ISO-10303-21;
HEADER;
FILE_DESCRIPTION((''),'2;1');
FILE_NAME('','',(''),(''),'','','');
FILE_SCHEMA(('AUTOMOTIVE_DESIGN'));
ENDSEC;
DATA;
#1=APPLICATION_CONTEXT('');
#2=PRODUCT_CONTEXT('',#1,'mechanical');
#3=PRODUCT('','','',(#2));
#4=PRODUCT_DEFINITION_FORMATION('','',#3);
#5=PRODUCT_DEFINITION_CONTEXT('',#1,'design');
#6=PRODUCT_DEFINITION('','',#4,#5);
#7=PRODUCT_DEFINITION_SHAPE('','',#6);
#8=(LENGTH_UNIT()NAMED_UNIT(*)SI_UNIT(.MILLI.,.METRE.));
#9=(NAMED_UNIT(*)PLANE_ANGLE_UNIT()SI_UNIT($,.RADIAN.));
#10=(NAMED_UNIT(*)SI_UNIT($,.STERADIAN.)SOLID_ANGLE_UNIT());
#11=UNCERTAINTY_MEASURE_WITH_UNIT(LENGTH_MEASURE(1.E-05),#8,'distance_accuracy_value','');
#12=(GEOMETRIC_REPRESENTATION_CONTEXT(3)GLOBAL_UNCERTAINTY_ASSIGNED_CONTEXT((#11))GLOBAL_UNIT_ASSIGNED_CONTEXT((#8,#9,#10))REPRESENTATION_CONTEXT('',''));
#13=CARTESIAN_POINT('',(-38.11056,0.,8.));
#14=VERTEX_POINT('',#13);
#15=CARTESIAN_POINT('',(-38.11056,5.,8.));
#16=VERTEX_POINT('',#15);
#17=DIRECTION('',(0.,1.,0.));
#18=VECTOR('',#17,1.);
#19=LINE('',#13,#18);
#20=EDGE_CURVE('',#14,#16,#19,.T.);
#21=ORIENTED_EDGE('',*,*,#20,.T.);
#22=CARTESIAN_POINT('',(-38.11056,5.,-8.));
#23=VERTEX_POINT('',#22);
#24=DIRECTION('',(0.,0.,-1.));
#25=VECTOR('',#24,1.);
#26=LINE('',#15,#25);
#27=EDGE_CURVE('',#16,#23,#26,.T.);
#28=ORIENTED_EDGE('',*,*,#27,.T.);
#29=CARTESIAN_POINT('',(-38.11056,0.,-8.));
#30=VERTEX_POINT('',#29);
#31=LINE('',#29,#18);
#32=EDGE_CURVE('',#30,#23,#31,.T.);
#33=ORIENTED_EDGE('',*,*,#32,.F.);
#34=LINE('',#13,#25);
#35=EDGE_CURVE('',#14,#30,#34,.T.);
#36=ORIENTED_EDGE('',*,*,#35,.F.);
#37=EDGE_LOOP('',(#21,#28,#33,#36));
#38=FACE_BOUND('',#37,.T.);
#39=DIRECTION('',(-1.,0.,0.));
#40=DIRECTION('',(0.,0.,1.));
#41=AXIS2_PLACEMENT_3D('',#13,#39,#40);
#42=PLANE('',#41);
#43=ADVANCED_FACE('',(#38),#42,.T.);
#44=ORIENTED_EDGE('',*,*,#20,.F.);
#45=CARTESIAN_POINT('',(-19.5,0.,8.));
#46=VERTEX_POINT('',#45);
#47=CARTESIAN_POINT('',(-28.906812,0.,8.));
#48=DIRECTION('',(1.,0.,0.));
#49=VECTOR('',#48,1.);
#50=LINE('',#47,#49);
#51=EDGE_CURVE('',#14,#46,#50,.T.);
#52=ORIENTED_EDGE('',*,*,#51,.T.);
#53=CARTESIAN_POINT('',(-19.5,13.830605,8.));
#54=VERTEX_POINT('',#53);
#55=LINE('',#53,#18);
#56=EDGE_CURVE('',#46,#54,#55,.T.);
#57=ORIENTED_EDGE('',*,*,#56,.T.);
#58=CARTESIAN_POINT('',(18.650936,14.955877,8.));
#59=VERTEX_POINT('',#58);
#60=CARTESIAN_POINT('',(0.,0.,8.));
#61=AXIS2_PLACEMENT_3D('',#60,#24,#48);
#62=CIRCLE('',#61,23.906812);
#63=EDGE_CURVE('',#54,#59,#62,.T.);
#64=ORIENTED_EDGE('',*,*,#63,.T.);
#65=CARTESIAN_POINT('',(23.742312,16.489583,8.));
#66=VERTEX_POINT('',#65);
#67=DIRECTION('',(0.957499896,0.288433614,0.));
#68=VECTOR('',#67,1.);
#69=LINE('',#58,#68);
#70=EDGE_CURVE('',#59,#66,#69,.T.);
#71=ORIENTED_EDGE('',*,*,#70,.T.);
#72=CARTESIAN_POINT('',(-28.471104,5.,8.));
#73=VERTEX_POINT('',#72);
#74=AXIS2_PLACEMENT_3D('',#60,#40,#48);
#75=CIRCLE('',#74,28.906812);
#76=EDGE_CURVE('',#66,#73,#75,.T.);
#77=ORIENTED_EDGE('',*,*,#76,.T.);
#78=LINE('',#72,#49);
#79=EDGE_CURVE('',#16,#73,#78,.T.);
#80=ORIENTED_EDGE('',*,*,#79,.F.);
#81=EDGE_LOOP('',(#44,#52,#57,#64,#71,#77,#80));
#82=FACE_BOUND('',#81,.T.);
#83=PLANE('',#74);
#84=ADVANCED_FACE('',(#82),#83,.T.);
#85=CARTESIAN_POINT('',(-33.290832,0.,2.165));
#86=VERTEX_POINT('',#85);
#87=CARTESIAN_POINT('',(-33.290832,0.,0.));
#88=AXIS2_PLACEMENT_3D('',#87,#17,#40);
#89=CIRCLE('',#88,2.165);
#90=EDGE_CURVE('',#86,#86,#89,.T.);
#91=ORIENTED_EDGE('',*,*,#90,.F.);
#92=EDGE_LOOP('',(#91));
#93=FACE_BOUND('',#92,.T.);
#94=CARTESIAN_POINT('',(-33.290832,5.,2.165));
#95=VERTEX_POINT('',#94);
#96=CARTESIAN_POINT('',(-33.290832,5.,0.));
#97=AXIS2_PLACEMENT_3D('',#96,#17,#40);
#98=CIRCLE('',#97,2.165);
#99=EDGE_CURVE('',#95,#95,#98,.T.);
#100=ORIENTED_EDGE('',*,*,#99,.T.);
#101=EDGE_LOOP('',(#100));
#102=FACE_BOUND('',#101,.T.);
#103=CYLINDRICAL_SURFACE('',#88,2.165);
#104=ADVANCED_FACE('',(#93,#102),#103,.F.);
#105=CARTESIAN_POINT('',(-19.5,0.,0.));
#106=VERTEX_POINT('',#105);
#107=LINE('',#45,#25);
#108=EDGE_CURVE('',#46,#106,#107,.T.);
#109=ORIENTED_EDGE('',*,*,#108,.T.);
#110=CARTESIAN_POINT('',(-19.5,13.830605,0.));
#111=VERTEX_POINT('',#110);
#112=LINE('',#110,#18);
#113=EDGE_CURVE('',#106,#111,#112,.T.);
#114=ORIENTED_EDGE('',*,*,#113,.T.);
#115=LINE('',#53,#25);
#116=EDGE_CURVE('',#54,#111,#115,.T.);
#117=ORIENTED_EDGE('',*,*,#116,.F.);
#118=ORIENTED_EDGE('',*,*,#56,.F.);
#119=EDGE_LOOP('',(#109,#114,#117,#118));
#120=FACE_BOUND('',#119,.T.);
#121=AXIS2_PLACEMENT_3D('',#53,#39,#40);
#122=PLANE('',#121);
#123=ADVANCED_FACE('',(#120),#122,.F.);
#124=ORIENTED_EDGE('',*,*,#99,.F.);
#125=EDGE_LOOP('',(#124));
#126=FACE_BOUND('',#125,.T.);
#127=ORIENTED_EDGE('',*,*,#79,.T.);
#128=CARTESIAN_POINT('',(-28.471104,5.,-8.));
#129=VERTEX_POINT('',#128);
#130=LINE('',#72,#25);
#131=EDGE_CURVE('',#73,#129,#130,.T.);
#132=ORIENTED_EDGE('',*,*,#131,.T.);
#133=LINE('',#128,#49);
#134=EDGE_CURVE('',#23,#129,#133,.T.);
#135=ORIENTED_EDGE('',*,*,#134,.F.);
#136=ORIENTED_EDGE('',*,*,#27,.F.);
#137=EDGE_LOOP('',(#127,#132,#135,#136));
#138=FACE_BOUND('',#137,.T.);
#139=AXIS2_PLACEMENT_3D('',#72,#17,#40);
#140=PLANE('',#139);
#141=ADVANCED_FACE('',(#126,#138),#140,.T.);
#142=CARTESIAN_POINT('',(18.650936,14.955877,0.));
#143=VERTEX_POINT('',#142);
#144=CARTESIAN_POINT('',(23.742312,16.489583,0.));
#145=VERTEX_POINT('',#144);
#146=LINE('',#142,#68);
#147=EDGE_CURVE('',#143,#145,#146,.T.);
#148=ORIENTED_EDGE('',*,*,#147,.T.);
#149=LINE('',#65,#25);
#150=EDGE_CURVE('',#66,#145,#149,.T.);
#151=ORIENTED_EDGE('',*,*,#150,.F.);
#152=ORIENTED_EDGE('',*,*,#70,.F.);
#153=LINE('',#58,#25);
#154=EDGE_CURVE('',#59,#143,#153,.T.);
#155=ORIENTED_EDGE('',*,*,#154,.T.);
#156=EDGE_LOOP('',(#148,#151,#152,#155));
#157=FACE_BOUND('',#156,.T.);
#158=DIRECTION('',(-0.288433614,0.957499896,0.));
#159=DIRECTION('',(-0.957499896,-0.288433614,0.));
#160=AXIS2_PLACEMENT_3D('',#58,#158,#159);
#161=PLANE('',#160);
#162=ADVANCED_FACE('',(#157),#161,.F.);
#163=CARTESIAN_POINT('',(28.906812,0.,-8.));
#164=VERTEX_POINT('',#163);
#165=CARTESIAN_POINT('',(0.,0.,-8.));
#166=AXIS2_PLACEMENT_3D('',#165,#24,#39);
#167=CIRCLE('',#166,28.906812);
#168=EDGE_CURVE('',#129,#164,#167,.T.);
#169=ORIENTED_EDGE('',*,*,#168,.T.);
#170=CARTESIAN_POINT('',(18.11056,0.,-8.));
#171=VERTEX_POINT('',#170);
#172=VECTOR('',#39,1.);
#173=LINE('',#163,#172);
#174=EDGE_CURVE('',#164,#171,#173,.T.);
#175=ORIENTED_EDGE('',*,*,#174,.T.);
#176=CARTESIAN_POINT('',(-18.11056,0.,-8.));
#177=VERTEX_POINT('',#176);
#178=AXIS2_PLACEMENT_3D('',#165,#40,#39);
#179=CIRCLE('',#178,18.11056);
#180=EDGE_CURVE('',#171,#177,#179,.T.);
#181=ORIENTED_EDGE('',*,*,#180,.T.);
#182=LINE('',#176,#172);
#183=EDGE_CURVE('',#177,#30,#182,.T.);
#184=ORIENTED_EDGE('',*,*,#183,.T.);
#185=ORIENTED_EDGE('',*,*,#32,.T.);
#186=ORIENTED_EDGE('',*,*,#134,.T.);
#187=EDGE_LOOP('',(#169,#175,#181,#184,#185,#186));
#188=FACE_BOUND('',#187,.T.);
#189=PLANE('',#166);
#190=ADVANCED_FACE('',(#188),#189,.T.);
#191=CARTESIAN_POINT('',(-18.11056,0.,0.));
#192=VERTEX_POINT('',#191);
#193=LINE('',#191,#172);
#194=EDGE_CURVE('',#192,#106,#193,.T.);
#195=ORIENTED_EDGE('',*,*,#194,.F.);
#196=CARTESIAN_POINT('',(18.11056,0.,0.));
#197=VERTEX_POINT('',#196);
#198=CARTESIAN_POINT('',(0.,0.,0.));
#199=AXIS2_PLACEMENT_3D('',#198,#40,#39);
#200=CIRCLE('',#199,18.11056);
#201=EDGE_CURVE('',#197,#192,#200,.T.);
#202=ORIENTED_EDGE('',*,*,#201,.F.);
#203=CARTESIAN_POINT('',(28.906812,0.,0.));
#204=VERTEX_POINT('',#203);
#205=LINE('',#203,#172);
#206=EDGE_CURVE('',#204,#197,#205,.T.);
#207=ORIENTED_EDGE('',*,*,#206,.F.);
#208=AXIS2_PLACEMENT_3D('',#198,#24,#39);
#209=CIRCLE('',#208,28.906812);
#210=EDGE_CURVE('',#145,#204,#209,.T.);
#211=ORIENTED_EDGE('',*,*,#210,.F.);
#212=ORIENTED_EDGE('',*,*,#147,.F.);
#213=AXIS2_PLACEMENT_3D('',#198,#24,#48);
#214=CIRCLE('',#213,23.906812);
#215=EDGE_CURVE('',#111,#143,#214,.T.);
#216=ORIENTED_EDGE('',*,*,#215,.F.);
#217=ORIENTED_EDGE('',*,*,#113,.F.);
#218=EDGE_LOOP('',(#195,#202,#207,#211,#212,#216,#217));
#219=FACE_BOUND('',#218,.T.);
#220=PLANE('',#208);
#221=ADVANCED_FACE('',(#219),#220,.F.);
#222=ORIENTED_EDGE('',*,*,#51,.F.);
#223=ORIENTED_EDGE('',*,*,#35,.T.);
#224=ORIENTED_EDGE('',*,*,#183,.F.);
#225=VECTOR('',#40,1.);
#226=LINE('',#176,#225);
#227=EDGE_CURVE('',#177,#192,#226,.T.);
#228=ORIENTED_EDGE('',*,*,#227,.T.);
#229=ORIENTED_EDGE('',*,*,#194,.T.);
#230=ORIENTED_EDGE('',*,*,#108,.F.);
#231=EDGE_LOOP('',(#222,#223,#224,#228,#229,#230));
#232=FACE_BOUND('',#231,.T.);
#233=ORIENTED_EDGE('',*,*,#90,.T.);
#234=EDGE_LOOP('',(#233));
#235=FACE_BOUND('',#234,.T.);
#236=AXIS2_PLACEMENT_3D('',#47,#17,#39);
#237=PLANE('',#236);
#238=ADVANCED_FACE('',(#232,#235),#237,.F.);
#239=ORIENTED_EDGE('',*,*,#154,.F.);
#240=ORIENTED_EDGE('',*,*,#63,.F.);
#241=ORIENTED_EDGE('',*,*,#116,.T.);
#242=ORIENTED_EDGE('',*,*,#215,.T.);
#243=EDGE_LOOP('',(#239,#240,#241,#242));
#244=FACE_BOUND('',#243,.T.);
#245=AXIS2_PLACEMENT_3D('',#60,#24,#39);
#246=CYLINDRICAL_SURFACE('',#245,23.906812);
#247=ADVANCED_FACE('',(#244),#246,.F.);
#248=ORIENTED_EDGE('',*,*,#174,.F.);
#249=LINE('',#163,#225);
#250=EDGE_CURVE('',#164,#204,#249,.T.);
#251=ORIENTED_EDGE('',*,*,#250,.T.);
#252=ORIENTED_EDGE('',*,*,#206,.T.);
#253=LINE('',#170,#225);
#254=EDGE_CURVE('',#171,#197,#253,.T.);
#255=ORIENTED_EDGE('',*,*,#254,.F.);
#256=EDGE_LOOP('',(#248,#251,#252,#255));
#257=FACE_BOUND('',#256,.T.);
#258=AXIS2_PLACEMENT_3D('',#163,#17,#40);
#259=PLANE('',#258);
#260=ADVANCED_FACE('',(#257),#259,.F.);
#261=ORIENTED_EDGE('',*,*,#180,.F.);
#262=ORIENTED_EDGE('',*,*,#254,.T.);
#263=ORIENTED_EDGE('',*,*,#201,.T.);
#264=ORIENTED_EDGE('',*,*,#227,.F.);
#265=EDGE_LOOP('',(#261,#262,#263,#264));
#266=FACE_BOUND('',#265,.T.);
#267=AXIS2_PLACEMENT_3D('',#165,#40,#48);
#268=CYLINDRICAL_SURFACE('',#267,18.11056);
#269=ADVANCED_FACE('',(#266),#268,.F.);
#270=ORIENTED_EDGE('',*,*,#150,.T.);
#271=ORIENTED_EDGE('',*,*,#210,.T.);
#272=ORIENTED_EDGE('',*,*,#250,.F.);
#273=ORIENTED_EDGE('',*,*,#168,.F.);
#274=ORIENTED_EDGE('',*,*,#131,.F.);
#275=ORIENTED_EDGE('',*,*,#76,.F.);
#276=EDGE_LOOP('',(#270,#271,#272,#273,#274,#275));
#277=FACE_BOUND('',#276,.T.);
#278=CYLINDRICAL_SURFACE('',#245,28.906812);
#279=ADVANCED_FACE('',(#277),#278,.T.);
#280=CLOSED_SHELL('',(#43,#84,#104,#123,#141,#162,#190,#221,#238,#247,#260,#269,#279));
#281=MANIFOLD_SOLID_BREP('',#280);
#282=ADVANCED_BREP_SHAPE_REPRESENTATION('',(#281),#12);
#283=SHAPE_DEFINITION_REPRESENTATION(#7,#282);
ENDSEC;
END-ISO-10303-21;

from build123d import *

# Parameters (mm, degrees)
BOSS_EXTRUDE1_DEPTH = 8
CUT_EXTRUDE2_DEPTH  = 8
BOSS_EXTRUDE2_START = 8
BOSS_EXTRUDE2_DEPTH = 8
BOSS_EXTRUDE3_DEPTH = 16
SKETCH8_R           = 2.165
CUT_EXTRUDE3_DEPTH  = 46.694096166


with BuildPart() as part:
    # Sketch1 → Boss-Extrude1 (new body)
    with BuildSketch(Plane.XY):
        with BuildLine():
            Line((-19.5, 13.830605225), (-19.5, 0))
            Line((-19.5, 0), (-28.9068116, 0))
            ThreePointArc((-28.9068116, 0), (0, 28.9068116), (28.9068116, 0))
            Line((28.9068116, 0), (23.9068116, 0))
            ThreePointArc((23.9068116, 0), (7.257851427, 22.778481809), (-19.5, 13.830605225))
        make_face()
    extrude(amount=BOSS_EXTRUDE1_DEPTH)

    # Sketch5 → Cut-Extrude2 (cut)
    with BuildSketch(Plane(origin=(0, 0, 0), x_dir=(-1, 0, 0), z_dir=(0, 0, -1))):
        Polygon((0, 0), (-18.650935532, 14.955876592), (-43.503762329, 22.442447281), (-58.13318285, -8.31229871), align=None)
    extrude(amount=-CUT_EXTRUDE2_DEPTH, mode=Mode.SUBTRACT)

    # Sketch6 → Boss-Extrude2 (add)
    with BuildSketch(Plane(origin=(0, 0, 0), x_dir=(-1, 0, 0), z_dir=(0, 0, -1)).offset(BOSS_EXTRUDE2_START)):
        with BuildLine():
            Line((-28.9068116, 0), (-18.11056, 0))
            ThreePointArc((-18.11056, 0), (0, 18.11056), (18.11056, 0))
            Line((18.11056, 0), (28.9068116, 0))
            ThreePointArc((28.9068116, 0), (0, 28.9068116), (-28.9068116, 0))
        make_face()
    extrude(amount=-BOSS_EXTRUDE2_DEPTH)

    # Sketch7 → Boss-Extrude3 (add, through all)
    with BuildSketch(Plane(origin=(0, 0, -8), x_dir=(-1, 0, 0), z_dir=(0, 0, -1))):
        with BuildLine():
            Line((28.9068116, 0), (38.11056, 0))
            Line((38.11056, 0), (38.11056, 5))
            Line((38.11056, 5), (28.471103893, 5))
            ThreePointArc((28.471103893, 5), (28.797678666, 2.509474109), (28.9068116, 0))
        make_face()
    extrude(amount=-BOSS_EXTRUDE3_DEPTH)

    # Sketch8 → Cut-Extrude3 (cut, through all)
    with BuildSketch(Plane(origin=(0, 5, 0), x_dir=(1, 0, 0), z_dir=(0, 1, 0))):
        with Locations(Location((-33.290831946, 0, 0), (0, 0, 270))):
            Circle(SKETCH8_R)
    extrude(amount=-CUT_EXTRUDE3_DEPTH, mode=Mode.SUBTRACT)


solid = part.part
